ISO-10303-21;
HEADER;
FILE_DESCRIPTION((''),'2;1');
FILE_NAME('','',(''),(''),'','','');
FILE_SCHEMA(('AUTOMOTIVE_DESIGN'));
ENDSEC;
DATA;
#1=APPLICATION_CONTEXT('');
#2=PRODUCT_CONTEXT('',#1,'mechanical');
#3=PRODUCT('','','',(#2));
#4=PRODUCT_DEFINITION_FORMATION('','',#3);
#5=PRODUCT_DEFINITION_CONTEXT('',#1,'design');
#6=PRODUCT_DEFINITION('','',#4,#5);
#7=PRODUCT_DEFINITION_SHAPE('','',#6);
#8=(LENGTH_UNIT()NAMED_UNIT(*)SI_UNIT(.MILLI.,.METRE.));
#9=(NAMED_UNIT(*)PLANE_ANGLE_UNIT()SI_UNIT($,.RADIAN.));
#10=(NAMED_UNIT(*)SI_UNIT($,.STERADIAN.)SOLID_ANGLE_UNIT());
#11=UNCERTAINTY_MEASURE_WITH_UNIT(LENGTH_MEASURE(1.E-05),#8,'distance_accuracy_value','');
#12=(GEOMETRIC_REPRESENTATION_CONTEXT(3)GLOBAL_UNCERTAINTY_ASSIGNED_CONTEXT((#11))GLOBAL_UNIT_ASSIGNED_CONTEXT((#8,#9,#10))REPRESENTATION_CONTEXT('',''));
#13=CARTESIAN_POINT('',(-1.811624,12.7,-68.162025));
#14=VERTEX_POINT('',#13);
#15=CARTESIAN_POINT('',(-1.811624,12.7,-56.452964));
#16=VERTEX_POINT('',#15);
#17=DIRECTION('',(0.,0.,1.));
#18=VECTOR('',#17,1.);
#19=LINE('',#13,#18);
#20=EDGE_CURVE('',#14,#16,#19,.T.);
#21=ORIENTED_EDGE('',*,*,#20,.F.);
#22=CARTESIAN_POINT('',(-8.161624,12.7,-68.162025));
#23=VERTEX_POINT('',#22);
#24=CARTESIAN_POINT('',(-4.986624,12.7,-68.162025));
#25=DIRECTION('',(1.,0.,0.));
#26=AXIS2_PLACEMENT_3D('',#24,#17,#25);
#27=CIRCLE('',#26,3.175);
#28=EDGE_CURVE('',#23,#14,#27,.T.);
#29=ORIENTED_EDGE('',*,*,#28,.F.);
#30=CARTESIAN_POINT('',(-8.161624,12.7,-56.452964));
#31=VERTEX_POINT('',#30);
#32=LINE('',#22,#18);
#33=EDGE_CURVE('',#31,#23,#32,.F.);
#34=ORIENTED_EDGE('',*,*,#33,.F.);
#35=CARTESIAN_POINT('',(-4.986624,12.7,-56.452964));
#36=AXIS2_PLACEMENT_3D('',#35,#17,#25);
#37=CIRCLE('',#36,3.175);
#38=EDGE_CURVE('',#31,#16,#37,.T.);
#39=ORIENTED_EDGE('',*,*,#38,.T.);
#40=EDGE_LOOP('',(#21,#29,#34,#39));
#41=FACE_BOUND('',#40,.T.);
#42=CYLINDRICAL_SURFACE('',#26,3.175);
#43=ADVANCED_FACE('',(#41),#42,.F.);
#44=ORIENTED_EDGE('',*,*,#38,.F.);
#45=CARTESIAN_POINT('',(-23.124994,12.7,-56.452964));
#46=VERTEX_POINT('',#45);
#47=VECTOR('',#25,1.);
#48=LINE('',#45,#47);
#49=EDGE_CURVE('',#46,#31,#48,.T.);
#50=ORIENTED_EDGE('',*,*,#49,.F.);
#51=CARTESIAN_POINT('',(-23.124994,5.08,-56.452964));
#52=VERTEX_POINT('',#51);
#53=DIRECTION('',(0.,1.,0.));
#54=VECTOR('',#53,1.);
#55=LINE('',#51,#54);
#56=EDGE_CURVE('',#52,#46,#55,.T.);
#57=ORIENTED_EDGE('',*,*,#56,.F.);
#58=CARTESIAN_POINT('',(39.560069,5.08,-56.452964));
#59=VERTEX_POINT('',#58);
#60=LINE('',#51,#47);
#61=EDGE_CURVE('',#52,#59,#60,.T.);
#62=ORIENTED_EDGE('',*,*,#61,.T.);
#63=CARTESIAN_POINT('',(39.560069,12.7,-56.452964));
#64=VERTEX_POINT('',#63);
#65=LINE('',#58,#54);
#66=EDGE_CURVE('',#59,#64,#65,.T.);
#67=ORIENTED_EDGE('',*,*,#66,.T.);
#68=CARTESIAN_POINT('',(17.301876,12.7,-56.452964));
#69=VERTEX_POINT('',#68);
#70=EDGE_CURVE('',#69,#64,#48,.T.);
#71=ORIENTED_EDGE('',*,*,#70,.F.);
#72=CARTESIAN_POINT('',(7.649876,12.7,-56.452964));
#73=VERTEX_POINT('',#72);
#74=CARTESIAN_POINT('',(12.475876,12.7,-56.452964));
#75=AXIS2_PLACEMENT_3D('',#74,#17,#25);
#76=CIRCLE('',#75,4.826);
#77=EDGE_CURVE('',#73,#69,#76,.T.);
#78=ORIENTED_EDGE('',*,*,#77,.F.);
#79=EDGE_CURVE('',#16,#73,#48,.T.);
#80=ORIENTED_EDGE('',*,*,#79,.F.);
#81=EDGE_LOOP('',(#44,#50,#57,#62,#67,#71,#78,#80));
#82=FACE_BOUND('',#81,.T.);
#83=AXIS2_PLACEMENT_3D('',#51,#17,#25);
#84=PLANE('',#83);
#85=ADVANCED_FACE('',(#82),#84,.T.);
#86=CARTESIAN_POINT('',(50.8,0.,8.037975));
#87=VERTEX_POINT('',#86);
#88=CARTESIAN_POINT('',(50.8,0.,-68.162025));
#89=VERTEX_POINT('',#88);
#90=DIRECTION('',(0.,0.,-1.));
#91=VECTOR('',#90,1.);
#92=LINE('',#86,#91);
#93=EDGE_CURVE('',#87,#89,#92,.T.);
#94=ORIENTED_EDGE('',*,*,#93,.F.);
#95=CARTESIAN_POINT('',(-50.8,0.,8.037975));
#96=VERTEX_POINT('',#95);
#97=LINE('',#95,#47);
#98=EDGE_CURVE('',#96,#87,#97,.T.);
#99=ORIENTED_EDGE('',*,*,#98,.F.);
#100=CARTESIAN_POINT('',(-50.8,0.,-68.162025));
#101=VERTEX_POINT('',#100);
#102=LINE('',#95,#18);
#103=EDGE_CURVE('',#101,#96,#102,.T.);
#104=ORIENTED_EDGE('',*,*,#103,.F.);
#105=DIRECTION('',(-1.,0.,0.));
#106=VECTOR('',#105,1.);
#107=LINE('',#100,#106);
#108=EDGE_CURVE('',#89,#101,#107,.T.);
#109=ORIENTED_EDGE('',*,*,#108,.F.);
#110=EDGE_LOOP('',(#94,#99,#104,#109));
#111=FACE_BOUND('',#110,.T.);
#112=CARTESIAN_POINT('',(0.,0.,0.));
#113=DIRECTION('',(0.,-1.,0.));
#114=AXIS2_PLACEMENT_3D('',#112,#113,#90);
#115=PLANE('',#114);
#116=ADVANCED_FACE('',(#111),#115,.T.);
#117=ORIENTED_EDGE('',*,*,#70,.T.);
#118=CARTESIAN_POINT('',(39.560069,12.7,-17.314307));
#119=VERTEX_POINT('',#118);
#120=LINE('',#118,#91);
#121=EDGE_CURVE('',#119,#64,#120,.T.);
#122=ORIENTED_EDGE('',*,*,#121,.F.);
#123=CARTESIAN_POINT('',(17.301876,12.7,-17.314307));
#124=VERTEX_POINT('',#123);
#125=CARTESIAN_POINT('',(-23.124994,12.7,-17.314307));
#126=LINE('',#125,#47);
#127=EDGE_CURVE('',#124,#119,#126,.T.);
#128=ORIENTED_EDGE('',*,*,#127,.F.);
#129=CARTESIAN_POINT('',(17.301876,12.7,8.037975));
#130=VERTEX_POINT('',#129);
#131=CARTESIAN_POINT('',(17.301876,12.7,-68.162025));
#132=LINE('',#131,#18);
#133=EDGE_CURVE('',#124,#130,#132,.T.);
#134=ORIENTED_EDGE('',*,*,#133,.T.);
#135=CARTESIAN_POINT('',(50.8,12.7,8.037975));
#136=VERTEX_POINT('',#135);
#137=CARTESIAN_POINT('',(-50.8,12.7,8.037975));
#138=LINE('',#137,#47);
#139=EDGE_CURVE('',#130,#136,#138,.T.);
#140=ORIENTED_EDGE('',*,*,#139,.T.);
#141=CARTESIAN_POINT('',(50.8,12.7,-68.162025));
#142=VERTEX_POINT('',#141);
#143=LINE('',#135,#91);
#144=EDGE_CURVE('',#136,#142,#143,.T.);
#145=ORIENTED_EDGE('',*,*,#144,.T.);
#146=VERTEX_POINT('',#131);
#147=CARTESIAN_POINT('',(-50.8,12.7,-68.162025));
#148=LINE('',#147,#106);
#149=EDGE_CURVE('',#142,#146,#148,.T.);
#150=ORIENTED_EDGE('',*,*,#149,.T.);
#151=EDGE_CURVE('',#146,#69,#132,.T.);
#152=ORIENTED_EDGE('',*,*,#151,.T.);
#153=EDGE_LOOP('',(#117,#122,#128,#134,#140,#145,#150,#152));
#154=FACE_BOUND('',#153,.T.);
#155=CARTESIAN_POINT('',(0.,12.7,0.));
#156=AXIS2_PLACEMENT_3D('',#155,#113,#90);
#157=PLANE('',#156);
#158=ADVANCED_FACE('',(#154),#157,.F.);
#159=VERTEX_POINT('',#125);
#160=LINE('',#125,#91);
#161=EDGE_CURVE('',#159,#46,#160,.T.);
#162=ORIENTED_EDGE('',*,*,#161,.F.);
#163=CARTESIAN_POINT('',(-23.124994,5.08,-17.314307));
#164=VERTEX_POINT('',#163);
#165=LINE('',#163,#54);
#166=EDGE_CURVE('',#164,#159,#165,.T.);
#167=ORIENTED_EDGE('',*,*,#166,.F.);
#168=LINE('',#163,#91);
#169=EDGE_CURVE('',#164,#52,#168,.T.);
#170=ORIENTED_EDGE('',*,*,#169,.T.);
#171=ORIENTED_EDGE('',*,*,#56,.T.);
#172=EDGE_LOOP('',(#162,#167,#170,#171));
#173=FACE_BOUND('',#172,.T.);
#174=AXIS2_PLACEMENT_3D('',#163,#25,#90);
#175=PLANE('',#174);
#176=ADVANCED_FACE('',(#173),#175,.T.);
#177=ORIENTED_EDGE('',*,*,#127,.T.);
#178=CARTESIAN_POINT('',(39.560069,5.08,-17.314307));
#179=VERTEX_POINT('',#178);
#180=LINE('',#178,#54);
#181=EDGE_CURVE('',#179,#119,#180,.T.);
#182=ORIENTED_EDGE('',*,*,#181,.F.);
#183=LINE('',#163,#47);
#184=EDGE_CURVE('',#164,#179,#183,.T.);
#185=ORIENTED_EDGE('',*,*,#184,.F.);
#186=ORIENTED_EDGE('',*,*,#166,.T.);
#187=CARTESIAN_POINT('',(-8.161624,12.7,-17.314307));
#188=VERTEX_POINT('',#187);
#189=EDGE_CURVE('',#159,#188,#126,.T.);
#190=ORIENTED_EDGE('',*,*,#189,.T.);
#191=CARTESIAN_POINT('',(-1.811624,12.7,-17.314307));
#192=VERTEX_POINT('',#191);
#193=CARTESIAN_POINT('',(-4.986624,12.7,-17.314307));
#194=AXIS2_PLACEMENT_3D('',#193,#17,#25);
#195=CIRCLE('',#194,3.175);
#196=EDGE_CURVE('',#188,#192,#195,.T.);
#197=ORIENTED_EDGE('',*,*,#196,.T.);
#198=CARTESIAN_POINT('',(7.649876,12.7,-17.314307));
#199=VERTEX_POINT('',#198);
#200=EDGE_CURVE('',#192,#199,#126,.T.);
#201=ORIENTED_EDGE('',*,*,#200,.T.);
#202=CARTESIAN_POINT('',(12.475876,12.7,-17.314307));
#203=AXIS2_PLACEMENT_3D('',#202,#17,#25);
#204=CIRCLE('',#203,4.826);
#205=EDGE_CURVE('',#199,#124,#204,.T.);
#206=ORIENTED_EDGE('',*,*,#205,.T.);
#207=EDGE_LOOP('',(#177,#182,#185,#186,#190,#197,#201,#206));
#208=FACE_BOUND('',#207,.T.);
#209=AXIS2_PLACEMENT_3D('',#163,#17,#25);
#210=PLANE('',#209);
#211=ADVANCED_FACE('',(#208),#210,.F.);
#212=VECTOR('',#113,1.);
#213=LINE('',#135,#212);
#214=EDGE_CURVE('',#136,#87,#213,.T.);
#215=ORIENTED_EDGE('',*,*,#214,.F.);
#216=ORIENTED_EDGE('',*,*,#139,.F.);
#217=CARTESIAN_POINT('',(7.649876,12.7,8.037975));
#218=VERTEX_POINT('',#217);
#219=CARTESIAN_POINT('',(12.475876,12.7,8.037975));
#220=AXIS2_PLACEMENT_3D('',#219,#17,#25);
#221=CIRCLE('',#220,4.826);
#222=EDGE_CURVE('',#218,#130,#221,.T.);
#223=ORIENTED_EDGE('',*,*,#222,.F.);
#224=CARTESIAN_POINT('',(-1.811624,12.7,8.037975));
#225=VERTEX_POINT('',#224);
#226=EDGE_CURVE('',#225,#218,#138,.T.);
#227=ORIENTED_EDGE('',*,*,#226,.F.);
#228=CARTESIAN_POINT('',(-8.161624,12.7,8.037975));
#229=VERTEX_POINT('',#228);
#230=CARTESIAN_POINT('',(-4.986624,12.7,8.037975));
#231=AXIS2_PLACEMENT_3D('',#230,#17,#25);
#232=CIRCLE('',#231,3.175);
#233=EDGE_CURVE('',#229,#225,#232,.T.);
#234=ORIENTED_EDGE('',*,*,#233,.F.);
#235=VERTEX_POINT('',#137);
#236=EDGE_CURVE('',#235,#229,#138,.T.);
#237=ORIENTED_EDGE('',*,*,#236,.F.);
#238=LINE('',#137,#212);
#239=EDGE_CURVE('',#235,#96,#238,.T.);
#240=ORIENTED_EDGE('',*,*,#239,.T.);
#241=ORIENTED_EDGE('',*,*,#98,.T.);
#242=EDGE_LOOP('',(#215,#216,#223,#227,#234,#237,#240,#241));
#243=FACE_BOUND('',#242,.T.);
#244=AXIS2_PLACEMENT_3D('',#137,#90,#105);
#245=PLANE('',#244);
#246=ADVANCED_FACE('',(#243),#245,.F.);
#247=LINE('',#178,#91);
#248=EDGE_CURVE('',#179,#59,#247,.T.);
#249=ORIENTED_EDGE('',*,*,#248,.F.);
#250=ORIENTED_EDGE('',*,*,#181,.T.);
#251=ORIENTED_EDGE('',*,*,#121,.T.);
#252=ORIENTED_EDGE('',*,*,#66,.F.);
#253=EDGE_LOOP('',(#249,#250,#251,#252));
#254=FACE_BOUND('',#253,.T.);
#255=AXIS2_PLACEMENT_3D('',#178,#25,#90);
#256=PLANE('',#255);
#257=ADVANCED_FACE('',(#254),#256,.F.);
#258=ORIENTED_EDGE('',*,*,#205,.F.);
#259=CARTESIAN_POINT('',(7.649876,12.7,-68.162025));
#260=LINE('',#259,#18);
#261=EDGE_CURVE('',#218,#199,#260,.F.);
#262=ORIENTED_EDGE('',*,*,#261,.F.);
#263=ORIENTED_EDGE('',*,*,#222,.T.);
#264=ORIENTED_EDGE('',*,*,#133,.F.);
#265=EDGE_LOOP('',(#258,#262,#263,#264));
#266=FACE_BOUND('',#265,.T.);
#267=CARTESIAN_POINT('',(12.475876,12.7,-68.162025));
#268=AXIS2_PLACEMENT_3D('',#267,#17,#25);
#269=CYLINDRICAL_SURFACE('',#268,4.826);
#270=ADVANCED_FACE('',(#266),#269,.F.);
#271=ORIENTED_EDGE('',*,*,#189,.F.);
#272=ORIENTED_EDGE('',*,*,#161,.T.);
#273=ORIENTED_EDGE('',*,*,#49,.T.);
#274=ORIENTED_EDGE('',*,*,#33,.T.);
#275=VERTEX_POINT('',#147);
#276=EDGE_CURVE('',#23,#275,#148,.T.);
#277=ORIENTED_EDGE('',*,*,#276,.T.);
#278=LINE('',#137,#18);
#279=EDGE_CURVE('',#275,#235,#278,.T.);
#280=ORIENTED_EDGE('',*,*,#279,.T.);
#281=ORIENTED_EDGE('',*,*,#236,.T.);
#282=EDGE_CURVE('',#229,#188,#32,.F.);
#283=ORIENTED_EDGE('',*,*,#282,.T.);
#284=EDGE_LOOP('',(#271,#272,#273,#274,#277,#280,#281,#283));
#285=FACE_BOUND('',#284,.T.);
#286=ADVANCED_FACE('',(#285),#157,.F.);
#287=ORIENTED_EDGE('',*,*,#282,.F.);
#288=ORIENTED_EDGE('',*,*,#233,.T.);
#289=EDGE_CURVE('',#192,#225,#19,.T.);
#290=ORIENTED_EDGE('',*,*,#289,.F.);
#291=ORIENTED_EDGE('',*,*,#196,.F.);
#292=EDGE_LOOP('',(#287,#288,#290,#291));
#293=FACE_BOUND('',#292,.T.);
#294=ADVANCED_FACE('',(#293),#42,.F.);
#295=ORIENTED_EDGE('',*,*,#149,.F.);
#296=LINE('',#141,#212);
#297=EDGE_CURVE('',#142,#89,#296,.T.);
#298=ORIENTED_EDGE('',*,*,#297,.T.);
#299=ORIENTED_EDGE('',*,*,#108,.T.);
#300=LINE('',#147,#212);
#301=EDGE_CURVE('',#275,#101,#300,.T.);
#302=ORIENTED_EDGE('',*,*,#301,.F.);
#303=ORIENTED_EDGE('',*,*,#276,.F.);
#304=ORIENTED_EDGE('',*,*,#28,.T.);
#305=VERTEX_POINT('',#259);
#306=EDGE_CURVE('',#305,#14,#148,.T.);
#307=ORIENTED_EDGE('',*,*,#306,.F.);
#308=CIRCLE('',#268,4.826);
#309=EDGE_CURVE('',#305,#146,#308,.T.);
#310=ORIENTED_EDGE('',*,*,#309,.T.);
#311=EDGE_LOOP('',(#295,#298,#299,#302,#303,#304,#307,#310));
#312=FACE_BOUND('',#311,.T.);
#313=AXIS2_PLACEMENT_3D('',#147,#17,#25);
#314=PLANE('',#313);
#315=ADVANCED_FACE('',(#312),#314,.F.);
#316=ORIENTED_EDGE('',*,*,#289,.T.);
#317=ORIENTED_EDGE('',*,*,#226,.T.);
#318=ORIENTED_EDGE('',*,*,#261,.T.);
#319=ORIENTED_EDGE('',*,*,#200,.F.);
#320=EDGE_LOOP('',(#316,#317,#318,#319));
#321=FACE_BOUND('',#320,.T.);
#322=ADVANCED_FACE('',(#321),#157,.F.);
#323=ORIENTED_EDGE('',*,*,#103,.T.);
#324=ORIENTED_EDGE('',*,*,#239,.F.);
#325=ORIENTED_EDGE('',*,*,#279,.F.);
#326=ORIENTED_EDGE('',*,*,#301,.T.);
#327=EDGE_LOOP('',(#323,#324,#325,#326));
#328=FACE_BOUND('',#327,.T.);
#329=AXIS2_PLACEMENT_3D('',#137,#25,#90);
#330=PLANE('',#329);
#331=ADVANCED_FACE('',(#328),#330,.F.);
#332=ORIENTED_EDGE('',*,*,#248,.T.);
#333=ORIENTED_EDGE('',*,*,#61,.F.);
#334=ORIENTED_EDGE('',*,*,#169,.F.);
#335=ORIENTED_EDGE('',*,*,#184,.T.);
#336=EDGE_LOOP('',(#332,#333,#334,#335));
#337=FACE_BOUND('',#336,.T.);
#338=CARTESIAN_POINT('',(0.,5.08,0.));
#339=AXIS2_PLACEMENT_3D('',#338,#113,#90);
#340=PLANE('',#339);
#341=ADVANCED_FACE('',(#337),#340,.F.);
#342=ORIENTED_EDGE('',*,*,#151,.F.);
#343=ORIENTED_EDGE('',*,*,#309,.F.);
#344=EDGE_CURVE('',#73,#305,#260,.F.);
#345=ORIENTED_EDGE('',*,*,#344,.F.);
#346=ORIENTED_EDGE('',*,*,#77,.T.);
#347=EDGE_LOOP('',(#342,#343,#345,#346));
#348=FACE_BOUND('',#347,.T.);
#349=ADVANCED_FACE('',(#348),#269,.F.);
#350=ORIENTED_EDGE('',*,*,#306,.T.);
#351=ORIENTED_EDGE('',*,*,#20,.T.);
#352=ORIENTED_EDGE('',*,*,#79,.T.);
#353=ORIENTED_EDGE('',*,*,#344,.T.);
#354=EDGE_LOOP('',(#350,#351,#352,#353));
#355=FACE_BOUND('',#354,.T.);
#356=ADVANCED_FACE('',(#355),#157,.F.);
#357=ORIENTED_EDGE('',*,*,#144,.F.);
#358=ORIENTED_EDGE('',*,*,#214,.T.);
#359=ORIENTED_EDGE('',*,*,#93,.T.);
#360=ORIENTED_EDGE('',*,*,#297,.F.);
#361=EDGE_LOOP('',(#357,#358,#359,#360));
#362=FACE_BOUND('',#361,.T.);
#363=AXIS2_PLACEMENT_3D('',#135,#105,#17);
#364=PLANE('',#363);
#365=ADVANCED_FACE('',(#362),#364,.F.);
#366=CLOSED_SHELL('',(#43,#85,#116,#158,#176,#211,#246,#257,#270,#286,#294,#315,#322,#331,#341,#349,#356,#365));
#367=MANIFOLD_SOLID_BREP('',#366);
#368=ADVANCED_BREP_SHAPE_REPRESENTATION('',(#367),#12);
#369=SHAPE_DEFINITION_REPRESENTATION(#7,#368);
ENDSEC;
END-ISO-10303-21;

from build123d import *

# Parameters (mm, degrees)
SKETCH1_W           = 101.6
SKETCH1_H           = 76.2
BOSS_EXTRUDE1_DEPTH = 12.7
SKETCH4_W           = 62.685063192
SKETCH4_H           = 39.138657103
CUT_EXTRUDE2_DEPTH  = 7.62
SKETCH5_R           = 3.175
SKETCH5_R_2         = 4.826
CUT_EXTRUDE3_DEPTH  = 93.457395594


with BuildPart() as part:
    # Sketch1 → Boss-Extrude1 (new body)
    with BuildSketch(Plane(origin=(0, 0, 0), x_dir=(1, 0, 0), z_dir=(0, 1, 0))):
        with Locations((0, 30.062025316)):
            Rectangle(SKETCH1_W, SKETCH1_H)
    extrude(amount=BOSS_EXTRUDE1_DEPTH)

    # Sketch4 → Cut-Extrude2 (cut)
    with BuildSketch(Plane(origin=(0, 12.7, 0), x_dir=(1, 0, 0), z_dir=(0, 1, 0))):
        with Locations((8.217537696, 36.883635135)):
            Rectangle(SKETCH4_W, SKETCH4_H)
    extrude(amount=-CUT_EXTRUDE2_DEPTH, mode=Mode.SUBTRACT)

    # Sketch5 → Cut-Extrude3 (cut, through all)
    with BuildSketch(Plane.XY.offset(8.037974684)):
        with Locations((-4.986623509, 12.7)):
            Circle(SKETCH5_R)
        with Locations((12.475876491, 12.7)):
            Circle(SKETCH5_R_2)
    extrude(amount=-CUT_EXTRUDE3_DEPTH, mode=Mode.SUBTRACT)


solid = part.part
